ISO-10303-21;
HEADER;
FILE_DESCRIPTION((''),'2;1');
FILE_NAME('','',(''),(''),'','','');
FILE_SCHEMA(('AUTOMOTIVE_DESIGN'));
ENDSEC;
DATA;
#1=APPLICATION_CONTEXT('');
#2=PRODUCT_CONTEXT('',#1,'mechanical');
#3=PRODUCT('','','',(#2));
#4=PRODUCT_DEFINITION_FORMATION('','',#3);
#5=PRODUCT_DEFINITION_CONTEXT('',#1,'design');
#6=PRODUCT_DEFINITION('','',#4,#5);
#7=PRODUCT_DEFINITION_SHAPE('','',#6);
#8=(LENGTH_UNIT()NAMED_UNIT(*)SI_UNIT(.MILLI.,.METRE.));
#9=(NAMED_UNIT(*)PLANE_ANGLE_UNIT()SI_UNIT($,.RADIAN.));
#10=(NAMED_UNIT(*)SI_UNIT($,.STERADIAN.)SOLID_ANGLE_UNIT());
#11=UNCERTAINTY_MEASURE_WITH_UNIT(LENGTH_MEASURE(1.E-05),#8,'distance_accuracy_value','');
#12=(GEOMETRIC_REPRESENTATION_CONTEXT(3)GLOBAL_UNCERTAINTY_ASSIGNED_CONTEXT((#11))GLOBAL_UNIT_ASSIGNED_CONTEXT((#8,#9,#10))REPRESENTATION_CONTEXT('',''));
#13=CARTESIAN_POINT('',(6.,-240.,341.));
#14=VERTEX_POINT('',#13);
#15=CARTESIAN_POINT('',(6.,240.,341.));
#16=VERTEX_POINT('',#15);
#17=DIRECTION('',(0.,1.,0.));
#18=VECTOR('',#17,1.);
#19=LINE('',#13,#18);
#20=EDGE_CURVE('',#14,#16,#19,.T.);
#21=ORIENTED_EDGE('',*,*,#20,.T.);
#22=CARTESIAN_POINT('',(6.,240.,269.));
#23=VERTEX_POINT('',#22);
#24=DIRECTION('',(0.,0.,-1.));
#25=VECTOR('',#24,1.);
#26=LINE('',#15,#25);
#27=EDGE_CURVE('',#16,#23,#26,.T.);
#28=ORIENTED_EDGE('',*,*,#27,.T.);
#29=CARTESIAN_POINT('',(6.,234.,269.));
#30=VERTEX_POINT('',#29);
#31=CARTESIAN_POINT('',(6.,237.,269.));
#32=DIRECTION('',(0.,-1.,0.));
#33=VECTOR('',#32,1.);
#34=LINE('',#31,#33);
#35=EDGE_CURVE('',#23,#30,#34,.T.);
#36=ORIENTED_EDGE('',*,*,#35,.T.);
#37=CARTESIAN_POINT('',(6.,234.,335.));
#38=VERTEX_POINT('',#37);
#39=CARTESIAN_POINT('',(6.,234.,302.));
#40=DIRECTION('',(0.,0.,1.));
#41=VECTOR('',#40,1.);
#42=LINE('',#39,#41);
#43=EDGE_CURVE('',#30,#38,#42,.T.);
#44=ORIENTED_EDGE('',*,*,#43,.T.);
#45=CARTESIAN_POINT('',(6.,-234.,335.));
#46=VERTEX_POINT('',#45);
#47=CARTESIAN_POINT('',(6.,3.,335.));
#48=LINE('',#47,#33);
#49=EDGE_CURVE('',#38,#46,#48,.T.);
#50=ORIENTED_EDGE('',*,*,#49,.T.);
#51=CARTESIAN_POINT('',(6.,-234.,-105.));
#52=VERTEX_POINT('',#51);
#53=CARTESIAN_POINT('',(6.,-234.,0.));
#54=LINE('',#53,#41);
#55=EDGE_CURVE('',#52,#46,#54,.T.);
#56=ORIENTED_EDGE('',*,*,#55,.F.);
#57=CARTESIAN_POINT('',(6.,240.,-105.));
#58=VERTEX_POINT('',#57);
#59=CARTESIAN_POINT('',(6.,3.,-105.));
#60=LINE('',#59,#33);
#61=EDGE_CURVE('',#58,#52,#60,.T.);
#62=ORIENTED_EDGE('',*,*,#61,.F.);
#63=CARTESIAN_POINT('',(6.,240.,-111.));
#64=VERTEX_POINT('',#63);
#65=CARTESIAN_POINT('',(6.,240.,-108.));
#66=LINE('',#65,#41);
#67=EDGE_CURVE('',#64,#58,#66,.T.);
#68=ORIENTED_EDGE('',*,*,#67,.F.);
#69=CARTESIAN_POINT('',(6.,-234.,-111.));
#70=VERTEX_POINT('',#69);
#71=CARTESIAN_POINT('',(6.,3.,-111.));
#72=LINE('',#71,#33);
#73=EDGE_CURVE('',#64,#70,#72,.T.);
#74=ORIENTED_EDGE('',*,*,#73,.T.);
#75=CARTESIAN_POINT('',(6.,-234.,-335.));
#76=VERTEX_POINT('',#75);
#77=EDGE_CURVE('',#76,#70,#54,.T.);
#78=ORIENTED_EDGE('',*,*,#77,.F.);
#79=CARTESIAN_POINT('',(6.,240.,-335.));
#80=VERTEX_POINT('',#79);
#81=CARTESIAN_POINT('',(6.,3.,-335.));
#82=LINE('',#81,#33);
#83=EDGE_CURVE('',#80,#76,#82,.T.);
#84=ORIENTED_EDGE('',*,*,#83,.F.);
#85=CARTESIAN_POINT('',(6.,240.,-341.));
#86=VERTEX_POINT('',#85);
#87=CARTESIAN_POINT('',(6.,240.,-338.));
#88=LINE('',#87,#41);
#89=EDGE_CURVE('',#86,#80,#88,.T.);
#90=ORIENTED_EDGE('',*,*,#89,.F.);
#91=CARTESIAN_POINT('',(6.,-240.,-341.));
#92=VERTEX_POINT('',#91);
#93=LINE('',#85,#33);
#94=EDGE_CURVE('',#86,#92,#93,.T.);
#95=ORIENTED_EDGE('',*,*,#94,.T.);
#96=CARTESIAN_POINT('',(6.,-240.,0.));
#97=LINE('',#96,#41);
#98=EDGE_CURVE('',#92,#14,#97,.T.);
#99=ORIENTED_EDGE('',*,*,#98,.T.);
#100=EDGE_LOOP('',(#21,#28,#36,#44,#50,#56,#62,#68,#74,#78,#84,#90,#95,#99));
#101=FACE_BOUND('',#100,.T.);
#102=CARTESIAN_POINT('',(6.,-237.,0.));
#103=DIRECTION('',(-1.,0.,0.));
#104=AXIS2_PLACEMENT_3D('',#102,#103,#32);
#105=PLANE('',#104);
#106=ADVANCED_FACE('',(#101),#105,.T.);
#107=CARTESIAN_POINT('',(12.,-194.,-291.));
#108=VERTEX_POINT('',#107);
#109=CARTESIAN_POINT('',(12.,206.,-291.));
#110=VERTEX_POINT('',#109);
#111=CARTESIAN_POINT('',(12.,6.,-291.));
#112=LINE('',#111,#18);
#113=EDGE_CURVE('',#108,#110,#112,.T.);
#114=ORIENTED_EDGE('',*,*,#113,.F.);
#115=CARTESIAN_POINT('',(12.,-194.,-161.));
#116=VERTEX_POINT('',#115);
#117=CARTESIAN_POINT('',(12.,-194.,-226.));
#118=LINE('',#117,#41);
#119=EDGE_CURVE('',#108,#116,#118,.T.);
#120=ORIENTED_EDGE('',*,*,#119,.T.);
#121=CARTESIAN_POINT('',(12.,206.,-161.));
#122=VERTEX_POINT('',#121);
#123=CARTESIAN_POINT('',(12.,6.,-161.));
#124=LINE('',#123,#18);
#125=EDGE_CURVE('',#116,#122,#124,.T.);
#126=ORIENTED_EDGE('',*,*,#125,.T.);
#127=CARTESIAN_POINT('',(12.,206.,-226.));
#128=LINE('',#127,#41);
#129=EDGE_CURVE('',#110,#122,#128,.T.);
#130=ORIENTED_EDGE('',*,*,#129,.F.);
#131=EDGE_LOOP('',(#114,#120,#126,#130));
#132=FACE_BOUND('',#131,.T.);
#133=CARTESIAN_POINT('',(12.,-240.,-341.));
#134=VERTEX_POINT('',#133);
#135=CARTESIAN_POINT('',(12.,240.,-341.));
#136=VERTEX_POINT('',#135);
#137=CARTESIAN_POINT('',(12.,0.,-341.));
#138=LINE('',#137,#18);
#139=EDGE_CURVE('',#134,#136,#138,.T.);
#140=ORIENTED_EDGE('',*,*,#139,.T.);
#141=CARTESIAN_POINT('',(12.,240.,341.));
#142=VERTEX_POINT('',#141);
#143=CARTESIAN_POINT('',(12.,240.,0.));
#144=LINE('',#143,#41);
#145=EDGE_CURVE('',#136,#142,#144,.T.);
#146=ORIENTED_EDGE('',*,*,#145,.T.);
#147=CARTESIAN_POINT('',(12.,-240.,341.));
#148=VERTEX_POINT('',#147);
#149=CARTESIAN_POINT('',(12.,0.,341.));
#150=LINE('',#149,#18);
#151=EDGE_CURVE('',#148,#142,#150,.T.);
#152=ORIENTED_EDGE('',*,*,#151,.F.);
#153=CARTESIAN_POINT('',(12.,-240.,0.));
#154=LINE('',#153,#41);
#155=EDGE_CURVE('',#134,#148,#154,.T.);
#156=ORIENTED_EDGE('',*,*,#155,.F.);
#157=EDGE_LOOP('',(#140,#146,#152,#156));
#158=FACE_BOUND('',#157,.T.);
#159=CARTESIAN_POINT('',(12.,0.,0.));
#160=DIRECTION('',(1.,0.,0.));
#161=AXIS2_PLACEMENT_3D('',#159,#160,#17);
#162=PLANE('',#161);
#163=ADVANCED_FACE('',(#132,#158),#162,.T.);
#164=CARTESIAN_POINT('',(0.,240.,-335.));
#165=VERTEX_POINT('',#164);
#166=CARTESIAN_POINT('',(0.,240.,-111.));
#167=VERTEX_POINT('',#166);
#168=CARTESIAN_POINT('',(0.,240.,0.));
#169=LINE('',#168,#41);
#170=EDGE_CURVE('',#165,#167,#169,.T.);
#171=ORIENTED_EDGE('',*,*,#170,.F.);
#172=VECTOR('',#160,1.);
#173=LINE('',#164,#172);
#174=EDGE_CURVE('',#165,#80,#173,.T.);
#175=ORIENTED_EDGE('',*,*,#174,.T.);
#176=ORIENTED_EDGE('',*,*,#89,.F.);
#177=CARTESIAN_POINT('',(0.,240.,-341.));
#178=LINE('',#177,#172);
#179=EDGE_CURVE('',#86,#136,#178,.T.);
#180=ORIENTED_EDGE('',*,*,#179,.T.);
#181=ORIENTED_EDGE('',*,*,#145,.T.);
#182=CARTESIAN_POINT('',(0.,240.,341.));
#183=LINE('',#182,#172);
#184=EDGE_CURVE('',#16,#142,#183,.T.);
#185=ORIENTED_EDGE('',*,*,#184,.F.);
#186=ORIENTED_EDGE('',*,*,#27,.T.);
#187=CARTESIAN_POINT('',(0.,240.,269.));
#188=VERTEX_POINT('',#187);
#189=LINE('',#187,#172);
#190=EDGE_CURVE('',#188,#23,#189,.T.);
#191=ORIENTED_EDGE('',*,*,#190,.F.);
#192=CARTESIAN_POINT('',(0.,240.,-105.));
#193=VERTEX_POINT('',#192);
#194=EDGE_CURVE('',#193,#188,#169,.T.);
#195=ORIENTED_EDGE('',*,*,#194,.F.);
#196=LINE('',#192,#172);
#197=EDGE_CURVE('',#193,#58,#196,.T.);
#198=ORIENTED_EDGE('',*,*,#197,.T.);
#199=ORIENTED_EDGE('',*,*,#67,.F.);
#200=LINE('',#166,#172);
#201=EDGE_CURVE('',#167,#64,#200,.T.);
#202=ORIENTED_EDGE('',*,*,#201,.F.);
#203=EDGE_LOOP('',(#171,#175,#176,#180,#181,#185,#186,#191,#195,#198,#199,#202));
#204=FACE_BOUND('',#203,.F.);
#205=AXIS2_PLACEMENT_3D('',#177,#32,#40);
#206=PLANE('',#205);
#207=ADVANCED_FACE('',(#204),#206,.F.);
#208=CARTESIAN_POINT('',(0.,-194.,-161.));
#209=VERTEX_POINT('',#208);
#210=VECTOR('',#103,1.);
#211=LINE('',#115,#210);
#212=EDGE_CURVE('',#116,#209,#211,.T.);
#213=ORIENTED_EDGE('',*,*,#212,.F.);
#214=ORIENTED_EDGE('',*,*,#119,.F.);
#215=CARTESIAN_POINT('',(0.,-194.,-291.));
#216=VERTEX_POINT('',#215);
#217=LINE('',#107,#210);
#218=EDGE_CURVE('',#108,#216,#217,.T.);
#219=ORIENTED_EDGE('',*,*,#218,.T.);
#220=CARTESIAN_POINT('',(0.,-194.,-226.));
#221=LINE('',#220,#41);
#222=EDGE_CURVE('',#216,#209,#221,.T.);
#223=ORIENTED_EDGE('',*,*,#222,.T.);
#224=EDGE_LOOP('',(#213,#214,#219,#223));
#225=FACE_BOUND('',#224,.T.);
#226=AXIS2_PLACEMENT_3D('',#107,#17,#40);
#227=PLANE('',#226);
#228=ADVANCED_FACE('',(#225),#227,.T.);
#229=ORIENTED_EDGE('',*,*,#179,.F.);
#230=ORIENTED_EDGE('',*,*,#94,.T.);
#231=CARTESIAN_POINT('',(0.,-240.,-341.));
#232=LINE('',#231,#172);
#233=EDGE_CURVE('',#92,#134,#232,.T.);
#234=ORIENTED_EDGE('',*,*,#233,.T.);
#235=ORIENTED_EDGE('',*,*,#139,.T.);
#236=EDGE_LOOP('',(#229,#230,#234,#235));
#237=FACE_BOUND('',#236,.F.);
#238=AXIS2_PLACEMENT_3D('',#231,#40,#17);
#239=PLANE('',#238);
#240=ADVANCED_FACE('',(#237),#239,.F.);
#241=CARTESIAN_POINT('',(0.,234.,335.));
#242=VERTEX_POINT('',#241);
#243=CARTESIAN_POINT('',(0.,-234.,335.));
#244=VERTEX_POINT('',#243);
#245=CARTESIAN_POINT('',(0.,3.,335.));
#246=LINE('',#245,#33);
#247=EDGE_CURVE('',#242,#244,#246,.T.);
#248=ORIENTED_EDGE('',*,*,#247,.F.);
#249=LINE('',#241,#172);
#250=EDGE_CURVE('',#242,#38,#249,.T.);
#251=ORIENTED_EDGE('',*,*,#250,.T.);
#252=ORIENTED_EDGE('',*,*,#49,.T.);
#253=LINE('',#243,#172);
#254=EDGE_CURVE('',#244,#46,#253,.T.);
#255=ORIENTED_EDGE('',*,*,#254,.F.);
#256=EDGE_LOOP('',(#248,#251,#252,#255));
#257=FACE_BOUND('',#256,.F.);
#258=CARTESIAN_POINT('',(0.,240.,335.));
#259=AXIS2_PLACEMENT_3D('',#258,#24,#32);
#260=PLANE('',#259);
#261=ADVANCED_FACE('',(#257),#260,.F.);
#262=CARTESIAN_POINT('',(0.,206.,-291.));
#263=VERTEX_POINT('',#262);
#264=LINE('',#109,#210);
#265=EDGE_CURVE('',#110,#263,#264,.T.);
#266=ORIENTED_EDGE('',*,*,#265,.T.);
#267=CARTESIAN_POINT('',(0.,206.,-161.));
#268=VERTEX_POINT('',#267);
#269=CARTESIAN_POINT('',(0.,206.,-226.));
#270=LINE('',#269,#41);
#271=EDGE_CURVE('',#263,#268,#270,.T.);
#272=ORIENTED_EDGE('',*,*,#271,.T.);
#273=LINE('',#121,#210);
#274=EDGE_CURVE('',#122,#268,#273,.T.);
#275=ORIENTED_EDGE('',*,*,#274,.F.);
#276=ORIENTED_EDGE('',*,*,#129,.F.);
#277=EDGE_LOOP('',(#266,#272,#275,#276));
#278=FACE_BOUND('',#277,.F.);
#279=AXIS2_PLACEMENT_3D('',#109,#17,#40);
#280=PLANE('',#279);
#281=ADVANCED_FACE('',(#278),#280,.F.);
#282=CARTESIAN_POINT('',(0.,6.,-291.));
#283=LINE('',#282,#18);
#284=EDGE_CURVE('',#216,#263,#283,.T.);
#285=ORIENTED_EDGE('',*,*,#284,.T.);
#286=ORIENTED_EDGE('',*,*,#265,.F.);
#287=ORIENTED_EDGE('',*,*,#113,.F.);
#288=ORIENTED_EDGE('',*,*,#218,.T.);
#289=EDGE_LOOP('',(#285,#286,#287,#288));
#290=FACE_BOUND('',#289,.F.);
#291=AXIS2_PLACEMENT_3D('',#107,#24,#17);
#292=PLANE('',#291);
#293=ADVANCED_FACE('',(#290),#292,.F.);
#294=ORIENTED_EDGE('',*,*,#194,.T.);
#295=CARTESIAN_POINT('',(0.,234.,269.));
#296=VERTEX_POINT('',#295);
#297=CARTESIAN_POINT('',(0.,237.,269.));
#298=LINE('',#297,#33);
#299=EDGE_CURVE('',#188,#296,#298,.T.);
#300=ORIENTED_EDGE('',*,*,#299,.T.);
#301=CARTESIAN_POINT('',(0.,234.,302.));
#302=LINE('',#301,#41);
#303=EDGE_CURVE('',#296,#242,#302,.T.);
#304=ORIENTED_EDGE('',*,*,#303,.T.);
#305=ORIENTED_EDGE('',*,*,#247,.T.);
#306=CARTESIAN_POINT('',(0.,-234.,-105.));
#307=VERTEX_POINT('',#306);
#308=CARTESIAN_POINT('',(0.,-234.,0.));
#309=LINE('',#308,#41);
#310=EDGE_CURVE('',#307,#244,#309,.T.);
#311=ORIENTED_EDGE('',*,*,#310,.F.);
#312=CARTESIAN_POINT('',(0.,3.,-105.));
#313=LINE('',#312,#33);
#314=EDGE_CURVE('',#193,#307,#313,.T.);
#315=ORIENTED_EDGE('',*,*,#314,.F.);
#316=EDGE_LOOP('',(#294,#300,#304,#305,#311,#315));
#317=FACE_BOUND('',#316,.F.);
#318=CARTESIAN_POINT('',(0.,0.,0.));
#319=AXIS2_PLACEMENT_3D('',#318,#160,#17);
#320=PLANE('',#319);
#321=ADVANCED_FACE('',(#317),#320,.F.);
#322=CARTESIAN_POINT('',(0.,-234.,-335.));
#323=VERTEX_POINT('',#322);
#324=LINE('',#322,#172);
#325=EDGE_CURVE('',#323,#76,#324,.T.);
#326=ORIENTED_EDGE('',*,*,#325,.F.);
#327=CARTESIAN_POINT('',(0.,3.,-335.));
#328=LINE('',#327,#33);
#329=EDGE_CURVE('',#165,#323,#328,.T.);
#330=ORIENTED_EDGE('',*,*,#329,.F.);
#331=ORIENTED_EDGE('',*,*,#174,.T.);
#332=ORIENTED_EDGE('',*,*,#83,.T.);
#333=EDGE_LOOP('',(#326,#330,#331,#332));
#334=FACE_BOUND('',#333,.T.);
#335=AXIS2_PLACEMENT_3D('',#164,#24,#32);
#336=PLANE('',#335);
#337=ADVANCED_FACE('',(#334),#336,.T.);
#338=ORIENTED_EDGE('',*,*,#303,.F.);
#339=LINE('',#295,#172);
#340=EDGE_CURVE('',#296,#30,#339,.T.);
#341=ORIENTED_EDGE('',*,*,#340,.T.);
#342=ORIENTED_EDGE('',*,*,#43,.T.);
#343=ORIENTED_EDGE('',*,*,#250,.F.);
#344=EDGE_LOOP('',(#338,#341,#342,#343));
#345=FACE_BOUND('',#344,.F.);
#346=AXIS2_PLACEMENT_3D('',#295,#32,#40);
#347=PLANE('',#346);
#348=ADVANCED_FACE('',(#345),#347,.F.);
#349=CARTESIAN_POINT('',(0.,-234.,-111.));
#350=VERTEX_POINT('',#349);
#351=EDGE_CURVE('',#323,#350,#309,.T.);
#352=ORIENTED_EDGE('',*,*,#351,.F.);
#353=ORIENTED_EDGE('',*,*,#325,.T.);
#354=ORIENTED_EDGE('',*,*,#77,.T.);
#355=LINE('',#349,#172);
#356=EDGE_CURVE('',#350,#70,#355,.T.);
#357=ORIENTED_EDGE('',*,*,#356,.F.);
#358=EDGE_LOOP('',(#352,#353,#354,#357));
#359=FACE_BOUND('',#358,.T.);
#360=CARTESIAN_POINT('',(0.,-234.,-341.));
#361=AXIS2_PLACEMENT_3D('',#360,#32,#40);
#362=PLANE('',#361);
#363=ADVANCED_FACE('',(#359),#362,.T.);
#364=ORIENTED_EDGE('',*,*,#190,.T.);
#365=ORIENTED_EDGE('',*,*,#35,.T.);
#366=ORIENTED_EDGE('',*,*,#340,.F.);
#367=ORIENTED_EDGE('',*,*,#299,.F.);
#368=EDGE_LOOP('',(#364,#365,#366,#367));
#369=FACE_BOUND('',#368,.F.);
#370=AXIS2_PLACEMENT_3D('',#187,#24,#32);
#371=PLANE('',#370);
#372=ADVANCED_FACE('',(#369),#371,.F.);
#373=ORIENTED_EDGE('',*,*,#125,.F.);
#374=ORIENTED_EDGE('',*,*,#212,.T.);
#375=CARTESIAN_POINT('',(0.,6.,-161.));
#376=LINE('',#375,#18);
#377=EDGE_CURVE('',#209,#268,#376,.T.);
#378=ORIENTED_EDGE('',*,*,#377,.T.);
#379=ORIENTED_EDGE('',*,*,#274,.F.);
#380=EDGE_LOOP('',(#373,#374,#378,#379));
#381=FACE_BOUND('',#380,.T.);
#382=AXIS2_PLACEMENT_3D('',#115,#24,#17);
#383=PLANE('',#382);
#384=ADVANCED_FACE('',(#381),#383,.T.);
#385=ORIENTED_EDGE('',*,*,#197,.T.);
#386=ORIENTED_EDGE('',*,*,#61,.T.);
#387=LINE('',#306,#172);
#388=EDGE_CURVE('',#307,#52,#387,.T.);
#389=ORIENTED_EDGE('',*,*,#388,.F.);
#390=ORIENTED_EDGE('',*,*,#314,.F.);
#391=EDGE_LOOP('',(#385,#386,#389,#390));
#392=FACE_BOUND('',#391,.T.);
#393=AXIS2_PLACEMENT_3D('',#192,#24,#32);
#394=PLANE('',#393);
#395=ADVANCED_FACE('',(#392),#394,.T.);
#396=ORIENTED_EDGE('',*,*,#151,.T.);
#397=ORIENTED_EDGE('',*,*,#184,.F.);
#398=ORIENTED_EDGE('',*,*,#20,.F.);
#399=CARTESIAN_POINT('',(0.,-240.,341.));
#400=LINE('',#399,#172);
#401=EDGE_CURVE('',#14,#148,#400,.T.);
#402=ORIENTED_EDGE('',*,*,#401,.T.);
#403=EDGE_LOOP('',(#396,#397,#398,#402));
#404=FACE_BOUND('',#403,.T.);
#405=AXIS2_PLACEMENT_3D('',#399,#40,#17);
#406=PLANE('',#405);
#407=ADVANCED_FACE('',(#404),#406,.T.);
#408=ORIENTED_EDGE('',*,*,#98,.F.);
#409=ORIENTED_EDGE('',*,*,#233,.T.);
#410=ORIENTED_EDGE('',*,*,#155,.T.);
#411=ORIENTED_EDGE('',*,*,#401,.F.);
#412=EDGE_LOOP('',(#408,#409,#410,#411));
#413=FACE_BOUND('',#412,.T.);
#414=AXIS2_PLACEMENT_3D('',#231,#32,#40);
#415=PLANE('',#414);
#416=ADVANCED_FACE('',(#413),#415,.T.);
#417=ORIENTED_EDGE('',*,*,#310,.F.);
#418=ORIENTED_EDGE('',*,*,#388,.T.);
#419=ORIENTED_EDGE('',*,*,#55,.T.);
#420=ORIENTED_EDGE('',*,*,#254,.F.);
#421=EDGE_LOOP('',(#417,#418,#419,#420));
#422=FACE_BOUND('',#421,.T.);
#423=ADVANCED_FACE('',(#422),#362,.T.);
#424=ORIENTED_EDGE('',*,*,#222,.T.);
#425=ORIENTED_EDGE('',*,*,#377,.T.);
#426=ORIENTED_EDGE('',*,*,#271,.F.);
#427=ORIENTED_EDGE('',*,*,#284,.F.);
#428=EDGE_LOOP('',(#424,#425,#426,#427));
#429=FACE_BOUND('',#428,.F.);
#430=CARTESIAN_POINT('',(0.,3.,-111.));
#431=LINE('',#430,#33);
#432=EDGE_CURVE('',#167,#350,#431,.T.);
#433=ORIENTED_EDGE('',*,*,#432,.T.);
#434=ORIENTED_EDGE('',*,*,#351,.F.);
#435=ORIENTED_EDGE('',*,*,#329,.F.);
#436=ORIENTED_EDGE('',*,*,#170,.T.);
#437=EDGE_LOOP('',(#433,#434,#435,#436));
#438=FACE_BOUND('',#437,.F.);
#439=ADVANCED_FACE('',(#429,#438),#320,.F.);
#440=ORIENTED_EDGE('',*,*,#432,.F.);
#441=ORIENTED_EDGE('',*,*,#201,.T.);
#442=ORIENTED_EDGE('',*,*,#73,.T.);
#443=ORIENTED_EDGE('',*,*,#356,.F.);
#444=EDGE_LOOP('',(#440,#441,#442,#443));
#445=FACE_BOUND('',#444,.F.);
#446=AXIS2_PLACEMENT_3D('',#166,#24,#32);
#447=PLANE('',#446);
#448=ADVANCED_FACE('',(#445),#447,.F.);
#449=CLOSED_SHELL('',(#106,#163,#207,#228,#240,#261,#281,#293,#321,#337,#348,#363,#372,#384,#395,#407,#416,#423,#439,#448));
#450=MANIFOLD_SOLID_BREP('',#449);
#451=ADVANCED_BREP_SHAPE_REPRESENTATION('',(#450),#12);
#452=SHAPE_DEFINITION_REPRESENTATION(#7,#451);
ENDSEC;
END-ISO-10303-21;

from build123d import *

# Parameters (mm, degrees)
F0_W      = 480
F0_H      = 682
F1_DEPTH  = 12
F2_W      = 6
F2_H      = 682
F3_DEPTH  = 6
F4_W      = 474
F4_H      = 6
F5_DEPTH  = 6
F6_W      = 6
F6_H      = 66
F7_DEPTH  = 6
F8_W      = 474
F8_H      = 6
F9_DEPTH  = 6
F10_W     = 400
F10_H     = 130
F11_DEPTH = 12
F12_W     = 474
F12_H     = 6
F13_DEPTH = 6


with BuildPart() as f1:
    # F0 (on Right) → F1 (new body)
    with BuildSketch(Plane.YZ):
        Rectangle(F0_W, F0_H)
    extrude(amount=F1_DEPTH)

    # F2 (on face) → F3 (cut)
    with BuildSketch(Plane(origin=(0, 0, 0), x_dir=(0, -1, 0), z_dir=(-1, 0, 0))):
        with Locations((237, 0)):
            Rectangle(F2_W, F2_H)
    extrude(amount=-F3_DEPTH, mode=Mode.SUBTRACT)

    # F4 (on face) → F5 (cut)
    with BuildSketch(Plane(origin=(0, 0, 0), x_dir=(0, -1, 0), z_dir=(-1, 0, 0))):
        with Locations((-3, 338)):
            Rectangle(F4_W, F4_H)
    extrude(amount=-F5_DEPTH, mode=Mode.SUBTRACT)

    # F6 (on face) → F7 (cut)
    with BuildSketch(Plane(origin=(0, 0, 0), x_dir=(0, -1, 0), z_dir=(-1, 0, 0))):
        with Locations((-237, 302)):
            Rectangle(F6_W, F6_H)
    extrude(amount=-F7_DEPTH, mode=Mode.SUBTRACT)

    # F8 (on face) → F9 (cut)
    with BuildSketch(Plane(origin=(0, 0, 0), x_dir=(0, -1, 0), z_dir=(-1, 0, 0))):
        with Locations((-3, -108)):
            Rectangle(F8_W, F8_H)
    extrude(amount=-F9_DEPTH, mode=Mode.SUBTRACT)

    # F10 (on face) → F11 (cut, through all)
    with BuildSketch(Plane.YZ.offset(12)):
        with Locations((6, -226)):
            Rectangle(F10_W, F10_H)
    extrude(amount=-F11_DEPTH, mode=Mode.SUBTRACT)

    # F12 (on face) → F13 (cut)
    with BuildSketch(Plane(origin=(0, 0, 0), x_dir=(0, -1, 0), z_dir=(-1, 0, 0))):
        with Locations((-3, -338)):
            Rectangle(F12_W, F12_H)
    extrude(amount=-F13_DEPTH, mode=Mode.SUBTRACT)


solid = f1.part
